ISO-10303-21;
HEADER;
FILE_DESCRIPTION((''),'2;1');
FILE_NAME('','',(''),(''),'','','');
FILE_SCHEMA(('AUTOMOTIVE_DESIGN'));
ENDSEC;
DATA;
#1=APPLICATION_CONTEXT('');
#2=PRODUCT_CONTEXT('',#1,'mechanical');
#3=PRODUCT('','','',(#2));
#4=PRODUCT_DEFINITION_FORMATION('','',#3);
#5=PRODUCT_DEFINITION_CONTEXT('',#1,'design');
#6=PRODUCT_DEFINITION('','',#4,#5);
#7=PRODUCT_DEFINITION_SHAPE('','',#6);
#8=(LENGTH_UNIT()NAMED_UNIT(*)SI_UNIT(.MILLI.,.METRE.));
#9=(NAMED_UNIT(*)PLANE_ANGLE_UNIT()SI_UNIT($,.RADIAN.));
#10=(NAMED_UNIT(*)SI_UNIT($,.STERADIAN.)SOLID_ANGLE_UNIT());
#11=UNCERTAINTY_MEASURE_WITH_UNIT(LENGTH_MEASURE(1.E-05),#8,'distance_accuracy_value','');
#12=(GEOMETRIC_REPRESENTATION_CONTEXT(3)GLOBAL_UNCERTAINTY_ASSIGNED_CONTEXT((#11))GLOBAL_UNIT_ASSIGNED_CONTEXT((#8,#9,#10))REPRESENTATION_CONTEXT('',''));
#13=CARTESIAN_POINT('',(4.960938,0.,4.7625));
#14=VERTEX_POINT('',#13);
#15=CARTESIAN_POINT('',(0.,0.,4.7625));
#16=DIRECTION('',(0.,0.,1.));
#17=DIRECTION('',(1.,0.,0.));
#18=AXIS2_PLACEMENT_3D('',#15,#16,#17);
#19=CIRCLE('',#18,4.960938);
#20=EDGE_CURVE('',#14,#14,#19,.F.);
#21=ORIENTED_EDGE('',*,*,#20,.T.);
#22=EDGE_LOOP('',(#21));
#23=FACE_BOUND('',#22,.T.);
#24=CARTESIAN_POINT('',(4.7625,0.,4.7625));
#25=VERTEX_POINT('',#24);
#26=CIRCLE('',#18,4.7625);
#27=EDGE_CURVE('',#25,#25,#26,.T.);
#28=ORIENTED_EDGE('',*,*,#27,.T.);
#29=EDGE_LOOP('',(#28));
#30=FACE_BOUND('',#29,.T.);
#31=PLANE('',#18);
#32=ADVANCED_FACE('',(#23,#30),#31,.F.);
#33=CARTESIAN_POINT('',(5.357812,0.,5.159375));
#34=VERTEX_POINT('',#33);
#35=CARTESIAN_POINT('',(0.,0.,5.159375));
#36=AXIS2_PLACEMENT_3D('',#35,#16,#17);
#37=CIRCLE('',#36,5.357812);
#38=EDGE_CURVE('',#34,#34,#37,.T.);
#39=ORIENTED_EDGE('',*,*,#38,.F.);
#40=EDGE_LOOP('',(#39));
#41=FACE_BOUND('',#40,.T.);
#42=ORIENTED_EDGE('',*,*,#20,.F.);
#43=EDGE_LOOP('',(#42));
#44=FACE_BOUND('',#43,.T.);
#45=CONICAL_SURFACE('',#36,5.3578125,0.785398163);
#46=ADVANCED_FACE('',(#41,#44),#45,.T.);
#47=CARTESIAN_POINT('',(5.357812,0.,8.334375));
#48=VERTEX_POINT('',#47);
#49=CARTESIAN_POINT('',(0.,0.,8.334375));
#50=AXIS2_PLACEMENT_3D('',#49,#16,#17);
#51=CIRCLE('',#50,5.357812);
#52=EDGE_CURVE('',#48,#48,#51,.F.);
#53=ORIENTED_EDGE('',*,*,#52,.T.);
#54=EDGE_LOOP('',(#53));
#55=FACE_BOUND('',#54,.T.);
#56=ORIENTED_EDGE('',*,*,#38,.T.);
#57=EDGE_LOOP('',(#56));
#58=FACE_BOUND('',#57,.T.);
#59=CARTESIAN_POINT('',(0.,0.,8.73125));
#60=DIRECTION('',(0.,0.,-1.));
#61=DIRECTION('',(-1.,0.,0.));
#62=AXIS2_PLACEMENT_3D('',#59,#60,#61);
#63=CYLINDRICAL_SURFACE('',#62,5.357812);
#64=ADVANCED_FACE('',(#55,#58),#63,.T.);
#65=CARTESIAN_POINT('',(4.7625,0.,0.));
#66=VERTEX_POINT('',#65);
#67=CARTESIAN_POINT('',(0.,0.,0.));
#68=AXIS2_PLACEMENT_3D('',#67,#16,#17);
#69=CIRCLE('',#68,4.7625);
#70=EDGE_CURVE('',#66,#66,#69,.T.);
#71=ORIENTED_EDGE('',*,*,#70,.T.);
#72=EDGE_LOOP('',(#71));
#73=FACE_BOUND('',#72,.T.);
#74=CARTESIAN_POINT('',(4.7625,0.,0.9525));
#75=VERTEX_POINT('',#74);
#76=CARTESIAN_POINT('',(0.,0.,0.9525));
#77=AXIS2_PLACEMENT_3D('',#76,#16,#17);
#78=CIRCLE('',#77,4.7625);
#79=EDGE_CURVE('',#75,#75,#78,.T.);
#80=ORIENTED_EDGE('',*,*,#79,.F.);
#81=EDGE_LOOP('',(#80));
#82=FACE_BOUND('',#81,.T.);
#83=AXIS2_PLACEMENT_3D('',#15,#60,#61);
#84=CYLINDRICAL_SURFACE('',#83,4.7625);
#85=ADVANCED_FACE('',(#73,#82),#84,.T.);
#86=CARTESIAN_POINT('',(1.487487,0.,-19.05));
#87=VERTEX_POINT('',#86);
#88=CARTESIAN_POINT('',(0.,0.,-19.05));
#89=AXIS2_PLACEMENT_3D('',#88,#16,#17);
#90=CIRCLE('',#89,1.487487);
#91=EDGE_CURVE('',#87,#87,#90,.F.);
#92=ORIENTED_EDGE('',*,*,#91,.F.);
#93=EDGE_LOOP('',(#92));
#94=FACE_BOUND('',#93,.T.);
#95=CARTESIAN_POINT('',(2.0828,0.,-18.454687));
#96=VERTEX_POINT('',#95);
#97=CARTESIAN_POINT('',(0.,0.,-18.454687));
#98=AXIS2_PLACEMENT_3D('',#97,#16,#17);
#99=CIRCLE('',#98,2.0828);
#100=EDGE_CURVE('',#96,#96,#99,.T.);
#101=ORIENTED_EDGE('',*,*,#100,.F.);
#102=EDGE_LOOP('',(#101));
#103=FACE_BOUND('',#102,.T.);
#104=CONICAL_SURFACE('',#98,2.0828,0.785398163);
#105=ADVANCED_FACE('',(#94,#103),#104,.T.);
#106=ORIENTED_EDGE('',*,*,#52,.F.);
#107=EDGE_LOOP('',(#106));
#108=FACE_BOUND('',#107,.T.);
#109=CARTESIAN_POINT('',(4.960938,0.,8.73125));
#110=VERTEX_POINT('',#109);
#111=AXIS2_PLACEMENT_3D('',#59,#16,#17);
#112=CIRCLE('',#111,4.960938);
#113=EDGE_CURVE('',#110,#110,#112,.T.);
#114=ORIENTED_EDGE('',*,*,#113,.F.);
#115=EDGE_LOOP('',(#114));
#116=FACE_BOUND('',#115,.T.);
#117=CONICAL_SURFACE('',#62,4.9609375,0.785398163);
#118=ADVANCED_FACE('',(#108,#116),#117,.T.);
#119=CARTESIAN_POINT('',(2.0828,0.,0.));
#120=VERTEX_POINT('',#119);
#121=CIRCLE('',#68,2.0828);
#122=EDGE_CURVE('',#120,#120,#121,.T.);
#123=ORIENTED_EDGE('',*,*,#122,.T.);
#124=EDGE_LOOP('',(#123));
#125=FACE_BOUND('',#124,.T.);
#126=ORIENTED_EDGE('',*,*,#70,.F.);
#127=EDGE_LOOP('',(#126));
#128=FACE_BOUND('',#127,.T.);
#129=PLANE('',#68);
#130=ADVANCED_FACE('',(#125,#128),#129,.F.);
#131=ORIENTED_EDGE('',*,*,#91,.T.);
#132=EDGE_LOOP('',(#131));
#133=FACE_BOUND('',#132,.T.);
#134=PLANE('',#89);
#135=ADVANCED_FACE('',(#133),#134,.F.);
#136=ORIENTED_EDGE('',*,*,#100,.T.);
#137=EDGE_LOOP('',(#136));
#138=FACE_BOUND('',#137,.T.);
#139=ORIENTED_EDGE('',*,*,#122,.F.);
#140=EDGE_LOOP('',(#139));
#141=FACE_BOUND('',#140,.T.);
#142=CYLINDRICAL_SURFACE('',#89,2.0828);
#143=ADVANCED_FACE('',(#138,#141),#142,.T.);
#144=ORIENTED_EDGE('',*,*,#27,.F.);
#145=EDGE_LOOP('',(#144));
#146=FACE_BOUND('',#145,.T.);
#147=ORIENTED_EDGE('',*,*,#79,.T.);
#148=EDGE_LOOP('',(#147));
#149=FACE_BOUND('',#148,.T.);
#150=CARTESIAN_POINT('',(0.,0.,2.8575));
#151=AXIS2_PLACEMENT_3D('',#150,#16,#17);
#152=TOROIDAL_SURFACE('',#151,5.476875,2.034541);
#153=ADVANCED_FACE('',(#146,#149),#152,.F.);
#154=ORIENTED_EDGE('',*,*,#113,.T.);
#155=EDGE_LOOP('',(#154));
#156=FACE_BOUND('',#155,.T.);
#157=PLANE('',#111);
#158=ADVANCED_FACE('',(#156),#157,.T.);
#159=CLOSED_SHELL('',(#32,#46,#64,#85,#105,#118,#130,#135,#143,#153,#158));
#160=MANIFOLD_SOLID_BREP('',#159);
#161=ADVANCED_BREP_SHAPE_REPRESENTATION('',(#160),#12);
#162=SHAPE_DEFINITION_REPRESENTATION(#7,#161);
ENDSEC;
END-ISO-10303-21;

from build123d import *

# Parameters (mm, degrees)
SKETCH1_R           = 2.0828
EXTRUDE1_DEPTH      = 19.05
CHAMFER2_SIZE       = 0.5953125
SKETCH27_R          = 4.7625
BOSS_EXTRUDE4_DEPTH = 4.7625
SKETCH21_R          = 5.3578125
BOSS_EXTRUDE1_DEPTH = 3.96875
CHAMFER3_SIZE       = 0.396875


with BuildPart() as part:
    # Sketch1 → Extrude1 (new body)
    with BuildSketch(Plane.XY):
        Circle(SKETCH1_R)
    extrude(amount=-EXTRUDE1_DEPTH)

    # Chamfer2
    chamfer2_edges = [part.edges().sort_by_distance(p)[0] for p in [
        (-2.0828, 0, -19.05),
    ]]
    chamfer(chamfer2_edges, length=CHAMFER2_SIZE)

    # Sketch27 → Boss-Extrude4 (add)
    with BuildSketch(Plane.XY):
        Circle(SKETCH27_R)
    extrude(amount=BOSS_EXTRUDE4_DEPTH)

    # Sketch21 → Boss-Extrude1 (add)
    with BuildSketch(Plane.XY.offset(4.7625)):
        Circle(SKETCH21_R)
    extrude(amount=BOSS_EXTRUDE1_DEPTH)

    # Sketch28 → Cut-Revolve1 (revolve, cut)
    with BuildSketch(Plane(origin=(0, 0, 0), x_dir=(0, 0, -1), z_dir=(1, 0, 0))):
        with BuildLine():
            Line((-4.7625, 4.7625), (-0.9525, 4.7625))
            ThreePointArc((-0.9525, 4.7625), (-2.8575, 3.442334108), (-4.7625, 4.7625))
        make_face()
    revolve(axis=Axis((0, 0, 0), (0, 0, -1)), mode=Mode.SUBTRACT)

    # Chamfer3
    chamfer3_edges = [part.edges().sort_by_distance(p)[0] for p in [
        (-5.3578125, 0, 4.7625),
        (-5.3578125, 0, 8.73125),
    ]]
    chamfer(chamfer3_edges, length=CHAMFER3_SIZE)


solid = part.part
